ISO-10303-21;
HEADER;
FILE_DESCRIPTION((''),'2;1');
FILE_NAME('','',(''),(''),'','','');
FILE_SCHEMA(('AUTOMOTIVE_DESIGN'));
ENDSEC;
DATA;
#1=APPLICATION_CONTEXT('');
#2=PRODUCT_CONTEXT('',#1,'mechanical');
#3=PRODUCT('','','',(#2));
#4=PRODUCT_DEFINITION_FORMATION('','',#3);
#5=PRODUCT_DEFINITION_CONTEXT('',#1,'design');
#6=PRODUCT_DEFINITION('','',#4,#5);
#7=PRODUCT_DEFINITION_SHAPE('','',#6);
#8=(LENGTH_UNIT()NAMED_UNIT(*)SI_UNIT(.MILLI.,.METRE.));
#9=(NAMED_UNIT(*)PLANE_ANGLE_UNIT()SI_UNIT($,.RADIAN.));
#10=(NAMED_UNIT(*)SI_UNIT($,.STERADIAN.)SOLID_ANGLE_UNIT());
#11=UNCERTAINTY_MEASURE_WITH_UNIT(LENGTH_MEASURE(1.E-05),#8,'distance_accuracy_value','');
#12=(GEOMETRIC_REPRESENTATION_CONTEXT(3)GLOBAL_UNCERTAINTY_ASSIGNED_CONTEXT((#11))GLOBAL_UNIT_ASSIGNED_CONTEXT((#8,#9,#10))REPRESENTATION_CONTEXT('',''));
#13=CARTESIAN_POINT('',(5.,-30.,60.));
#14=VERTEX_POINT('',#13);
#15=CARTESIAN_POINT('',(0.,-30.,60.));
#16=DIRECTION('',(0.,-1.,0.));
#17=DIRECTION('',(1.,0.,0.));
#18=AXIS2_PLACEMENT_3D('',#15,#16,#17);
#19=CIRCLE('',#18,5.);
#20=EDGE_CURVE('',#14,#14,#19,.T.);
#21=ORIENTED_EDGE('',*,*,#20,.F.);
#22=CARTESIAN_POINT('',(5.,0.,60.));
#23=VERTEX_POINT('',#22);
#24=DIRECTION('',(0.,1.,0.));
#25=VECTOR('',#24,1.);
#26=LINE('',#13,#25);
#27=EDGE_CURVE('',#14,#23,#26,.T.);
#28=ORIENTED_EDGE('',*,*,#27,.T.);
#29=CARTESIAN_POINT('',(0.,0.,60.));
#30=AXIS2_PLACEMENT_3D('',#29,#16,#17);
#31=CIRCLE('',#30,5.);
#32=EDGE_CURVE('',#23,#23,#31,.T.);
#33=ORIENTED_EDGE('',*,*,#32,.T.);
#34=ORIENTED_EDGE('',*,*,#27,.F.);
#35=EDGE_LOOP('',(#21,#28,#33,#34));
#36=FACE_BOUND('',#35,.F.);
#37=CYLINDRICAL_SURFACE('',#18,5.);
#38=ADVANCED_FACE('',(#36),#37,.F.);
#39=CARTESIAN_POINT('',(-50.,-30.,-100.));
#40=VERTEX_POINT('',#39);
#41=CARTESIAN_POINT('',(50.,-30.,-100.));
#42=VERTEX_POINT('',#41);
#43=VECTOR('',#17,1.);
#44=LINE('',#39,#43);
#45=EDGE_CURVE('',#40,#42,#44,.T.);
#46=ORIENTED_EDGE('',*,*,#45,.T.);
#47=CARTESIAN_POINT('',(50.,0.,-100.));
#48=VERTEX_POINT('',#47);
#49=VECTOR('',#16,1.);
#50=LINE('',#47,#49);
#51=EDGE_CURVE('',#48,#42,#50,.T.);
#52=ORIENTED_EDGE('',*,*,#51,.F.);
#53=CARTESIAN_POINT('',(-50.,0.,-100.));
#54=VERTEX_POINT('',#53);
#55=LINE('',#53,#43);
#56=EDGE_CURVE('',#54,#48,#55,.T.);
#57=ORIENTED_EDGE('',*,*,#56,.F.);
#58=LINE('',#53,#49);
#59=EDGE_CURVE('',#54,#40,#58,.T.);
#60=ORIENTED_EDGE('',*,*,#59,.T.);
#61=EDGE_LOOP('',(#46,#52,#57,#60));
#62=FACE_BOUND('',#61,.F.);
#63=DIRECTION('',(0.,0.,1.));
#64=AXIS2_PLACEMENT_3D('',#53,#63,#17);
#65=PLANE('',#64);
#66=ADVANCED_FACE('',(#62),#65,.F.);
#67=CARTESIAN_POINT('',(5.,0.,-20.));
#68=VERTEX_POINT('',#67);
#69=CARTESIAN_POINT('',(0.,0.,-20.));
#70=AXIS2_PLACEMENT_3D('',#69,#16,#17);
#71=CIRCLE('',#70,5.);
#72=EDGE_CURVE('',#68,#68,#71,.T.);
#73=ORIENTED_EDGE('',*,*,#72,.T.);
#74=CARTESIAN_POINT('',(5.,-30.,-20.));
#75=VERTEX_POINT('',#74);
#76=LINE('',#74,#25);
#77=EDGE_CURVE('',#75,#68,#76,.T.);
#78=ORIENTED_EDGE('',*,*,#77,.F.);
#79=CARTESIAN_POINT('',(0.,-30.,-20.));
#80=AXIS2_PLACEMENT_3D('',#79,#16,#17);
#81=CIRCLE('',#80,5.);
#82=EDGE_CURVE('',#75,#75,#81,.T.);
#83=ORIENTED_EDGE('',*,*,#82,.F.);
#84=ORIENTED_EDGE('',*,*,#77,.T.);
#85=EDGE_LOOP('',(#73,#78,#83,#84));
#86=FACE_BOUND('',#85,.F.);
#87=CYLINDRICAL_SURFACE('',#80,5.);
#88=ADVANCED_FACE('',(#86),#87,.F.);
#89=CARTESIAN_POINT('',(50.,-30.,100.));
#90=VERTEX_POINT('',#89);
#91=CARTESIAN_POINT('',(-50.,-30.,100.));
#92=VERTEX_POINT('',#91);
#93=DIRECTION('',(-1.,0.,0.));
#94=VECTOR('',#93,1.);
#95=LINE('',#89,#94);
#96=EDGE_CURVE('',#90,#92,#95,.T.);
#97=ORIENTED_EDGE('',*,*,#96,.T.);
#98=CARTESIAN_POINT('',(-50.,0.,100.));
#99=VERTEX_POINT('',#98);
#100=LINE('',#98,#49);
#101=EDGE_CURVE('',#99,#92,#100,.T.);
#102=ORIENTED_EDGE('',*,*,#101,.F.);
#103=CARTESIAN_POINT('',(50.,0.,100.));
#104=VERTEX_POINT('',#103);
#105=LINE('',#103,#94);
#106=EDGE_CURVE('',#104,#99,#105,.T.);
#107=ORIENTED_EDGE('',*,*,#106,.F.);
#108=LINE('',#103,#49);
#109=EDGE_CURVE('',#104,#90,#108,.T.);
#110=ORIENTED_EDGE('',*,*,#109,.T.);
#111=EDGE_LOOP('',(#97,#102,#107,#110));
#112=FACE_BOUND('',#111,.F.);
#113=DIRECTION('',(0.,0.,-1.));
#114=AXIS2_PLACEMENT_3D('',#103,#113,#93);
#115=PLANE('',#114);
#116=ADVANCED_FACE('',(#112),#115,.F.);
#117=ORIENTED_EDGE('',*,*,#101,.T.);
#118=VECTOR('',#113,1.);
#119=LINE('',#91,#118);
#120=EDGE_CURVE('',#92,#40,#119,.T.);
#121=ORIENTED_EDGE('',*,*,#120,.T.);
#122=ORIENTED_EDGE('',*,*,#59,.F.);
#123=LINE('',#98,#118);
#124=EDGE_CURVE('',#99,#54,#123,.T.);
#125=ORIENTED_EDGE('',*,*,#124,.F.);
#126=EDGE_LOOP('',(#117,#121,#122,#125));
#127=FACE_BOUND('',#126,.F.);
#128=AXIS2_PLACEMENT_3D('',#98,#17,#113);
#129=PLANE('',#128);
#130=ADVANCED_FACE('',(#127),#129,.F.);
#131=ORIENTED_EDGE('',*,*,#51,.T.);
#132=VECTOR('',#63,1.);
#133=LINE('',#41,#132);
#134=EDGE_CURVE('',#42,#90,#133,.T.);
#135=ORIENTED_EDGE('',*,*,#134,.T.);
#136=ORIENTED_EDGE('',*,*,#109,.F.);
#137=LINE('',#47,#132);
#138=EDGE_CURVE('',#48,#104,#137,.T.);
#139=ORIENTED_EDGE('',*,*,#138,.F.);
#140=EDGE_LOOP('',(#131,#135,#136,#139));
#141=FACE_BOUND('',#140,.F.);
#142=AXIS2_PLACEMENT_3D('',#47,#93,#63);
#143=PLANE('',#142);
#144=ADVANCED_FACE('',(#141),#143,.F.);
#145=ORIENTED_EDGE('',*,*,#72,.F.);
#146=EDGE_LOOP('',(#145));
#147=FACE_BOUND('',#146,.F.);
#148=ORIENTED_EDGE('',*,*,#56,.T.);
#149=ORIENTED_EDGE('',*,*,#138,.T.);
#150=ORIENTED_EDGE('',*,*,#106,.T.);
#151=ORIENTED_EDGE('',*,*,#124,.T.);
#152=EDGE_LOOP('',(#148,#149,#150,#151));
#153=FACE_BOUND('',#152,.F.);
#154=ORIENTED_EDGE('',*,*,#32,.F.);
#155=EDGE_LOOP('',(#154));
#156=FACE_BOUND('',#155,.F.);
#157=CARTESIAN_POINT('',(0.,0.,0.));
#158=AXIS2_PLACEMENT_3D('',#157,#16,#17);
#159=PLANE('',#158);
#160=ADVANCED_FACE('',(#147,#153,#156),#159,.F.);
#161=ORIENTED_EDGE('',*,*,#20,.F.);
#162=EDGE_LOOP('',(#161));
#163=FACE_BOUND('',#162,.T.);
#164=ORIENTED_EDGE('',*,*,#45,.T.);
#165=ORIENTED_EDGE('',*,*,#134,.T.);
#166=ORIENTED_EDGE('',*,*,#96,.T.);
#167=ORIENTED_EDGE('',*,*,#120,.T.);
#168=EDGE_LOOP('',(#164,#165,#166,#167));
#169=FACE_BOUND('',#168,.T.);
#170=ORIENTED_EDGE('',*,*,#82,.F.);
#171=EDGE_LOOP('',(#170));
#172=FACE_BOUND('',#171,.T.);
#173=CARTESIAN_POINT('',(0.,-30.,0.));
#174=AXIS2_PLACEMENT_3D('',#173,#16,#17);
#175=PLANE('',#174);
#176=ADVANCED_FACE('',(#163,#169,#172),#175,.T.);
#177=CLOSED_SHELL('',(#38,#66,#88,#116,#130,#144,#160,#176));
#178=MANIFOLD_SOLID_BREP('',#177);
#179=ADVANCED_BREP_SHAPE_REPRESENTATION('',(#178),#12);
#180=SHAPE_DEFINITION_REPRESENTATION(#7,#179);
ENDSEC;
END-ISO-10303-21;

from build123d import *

# Parameters (mm, degrees)
F1_DEPTH = 30
F2_R     = 5
F3_DEPTH = 30
F4_DEPTH = 30


with BuildPart() as f1:
    # F0 (on Front) → F1 (new body)
    with BuildSketch(Plane.XZ):
        Polygon((-50, 100), (-50, 0), (-50, -100), (0, -100), (50, -100), (50, 0), (50, 100), (0, 100), align=None)
    extrude(amount=F1_DEPTH)

    # F2 (on face) → F3 (cut)
    with BuildSketch(Plane.XZ.offset(30)):
        with Locations((0, 60)):
            Circle(F2_R)
    extrude(amount=-F3_DEPTH, mode=Mode.SUBTRACT)

    # F2 (on face) → F4 (cut)
    with BuildSketch(Plane.XZ.offset(30)):
        with Locations((0, -20)):
            Circle(F2_R)
        with Locations((0, 60)):
            Circle(F2_R)
    extrude(amount=-F4_DEPTH, mode=Mode.SUBTRACT)


solid = f1.part
